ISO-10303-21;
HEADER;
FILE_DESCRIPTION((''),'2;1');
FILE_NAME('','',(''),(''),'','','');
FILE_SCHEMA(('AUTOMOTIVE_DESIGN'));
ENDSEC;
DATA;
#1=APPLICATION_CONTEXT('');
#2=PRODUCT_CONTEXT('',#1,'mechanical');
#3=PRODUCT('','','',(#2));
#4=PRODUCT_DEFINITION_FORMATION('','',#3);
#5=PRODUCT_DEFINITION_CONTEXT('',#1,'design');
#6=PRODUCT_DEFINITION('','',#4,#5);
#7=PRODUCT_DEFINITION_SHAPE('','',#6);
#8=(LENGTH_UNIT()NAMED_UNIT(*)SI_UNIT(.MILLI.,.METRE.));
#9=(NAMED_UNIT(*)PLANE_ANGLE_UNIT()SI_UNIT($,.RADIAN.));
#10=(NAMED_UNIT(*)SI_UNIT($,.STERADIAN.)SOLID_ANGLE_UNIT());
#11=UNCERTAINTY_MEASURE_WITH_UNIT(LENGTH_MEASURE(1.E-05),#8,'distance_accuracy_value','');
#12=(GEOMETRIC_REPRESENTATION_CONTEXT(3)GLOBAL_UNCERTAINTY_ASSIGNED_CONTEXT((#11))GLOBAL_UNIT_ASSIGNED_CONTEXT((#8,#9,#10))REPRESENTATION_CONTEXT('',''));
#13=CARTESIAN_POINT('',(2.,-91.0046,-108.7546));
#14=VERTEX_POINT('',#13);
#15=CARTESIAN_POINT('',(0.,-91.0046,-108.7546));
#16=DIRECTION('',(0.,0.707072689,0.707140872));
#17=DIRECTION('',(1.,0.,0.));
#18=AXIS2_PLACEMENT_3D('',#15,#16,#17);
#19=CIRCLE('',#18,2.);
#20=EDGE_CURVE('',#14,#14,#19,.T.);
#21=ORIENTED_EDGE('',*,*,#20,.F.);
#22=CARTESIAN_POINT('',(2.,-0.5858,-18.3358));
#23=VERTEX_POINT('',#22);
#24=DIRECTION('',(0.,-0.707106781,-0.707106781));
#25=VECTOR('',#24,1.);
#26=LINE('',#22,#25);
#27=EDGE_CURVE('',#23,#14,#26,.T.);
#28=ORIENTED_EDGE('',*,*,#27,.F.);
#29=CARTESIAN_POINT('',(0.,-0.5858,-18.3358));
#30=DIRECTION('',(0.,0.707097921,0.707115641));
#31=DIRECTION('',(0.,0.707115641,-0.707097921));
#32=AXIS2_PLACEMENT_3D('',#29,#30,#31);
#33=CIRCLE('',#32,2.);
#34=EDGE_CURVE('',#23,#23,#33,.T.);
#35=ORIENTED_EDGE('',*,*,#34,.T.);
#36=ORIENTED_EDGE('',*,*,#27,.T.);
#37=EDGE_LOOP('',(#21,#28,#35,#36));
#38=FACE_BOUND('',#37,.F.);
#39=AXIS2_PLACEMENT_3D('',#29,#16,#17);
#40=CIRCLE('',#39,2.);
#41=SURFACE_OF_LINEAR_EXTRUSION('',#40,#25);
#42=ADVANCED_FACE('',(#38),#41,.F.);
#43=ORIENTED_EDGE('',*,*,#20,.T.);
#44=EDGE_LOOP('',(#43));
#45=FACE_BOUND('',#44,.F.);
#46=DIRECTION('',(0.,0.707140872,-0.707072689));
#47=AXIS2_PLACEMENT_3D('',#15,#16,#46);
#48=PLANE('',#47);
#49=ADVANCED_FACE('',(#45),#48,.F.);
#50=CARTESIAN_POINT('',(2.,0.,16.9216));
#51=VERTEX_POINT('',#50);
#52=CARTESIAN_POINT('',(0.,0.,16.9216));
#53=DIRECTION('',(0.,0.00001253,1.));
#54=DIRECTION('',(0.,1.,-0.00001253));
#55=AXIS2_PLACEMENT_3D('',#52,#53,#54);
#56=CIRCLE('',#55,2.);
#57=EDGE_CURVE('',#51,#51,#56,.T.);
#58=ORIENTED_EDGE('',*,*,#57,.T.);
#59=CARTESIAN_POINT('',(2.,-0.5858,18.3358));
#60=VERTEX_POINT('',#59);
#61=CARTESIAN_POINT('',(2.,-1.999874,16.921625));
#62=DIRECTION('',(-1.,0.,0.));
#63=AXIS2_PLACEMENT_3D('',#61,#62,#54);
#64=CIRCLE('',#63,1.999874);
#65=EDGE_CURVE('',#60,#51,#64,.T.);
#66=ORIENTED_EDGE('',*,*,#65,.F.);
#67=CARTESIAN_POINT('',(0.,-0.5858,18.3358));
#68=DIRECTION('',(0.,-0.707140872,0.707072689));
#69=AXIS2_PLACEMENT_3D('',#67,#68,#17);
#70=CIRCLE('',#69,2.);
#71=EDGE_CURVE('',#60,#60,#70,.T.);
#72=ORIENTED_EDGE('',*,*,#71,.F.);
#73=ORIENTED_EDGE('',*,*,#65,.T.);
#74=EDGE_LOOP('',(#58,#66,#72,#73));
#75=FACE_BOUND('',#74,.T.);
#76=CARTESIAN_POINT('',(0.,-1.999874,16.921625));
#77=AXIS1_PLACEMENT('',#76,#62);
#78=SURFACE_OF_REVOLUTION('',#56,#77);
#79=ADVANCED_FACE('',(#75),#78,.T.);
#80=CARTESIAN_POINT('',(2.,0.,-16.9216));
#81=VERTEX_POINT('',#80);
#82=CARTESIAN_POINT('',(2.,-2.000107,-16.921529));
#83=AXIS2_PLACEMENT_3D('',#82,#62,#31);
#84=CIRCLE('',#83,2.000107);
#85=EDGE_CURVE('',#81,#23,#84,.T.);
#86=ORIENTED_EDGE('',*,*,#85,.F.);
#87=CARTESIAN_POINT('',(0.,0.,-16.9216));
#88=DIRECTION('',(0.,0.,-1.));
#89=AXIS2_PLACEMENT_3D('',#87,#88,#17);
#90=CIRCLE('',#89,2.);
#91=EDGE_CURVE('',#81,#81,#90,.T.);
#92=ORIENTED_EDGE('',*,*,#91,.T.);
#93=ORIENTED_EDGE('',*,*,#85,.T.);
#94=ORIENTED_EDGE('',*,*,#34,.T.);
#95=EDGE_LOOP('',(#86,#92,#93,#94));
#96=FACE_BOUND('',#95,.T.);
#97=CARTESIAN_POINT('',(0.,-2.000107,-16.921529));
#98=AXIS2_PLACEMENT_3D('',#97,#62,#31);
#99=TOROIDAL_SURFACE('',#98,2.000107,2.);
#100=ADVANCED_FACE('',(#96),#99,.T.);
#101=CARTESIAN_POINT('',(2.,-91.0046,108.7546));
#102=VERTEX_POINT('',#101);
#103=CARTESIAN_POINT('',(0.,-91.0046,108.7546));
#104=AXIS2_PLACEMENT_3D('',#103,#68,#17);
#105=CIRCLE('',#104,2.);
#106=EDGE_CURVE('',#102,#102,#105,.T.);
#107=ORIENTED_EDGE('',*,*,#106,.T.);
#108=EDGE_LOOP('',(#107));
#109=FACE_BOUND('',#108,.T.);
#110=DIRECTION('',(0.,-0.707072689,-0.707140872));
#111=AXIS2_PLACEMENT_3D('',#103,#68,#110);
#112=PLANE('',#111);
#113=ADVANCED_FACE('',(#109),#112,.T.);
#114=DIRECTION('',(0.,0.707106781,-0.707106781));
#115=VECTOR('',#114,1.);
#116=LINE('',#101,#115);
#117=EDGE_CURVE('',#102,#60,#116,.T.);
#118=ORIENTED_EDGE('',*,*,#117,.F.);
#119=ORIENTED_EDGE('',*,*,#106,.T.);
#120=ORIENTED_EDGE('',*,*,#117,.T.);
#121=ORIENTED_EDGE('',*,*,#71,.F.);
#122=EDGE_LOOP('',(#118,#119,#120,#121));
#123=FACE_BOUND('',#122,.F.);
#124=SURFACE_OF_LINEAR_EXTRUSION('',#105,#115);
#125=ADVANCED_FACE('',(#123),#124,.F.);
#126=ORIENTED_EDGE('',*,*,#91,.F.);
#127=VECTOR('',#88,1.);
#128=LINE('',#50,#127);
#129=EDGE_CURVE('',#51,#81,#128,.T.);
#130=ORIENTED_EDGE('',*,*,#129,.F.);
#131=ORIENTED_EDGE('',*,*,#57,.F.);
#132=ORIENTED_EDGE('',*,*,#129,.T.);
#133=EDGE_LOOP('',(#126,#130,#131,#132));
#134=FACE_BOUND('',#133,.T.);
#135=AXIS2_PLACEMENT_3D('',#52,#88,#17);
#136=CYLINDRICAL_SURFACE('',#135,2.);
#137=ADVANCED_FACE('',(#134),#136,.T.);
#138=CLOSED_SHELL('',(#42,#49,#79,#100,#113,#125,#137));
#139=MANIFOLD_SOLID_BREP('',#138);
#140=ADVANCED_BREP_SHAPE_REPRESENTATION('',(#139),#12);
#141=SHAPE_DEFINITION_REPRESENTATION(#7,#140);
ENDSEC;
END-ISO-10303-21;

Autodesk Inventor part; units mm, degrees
ref_plane "YZ Plane" through (0, 0, 0) normal (1, 0, 0) x (0, 1, 0)
ref_plane "XZ Plane" through (0, 0, 0) normal (0, 1, 0) x (-1, 0, 0)
ref_plane "XY Plane" through (0, 0, 0) normal (0, 0, 1) x (1, 0, 0)
sketch "Boceto1" plane through (0, 0, 0) normal (1, 0, 0) x (0, 1, 0)
  line L0 (-91.0046, 108.7546) -> (-0.5858, 18.3358)
  line L1 (0, 16.9216) -> (0, -16.9216)
  line L2 (-0.5858, -18.3358) -> (-91.0046, -108.7546)
  arc A0 (0, 16.9216) -> (-0.5858, 18.3358) centre (-2, 16.9216) ccw
  arc A1 (-0.5858, -18.3358) -> (0, -16.9216) centre (-2, -16.9216) ccw
  point P0 (0, 0)
  point P1 (0, 17.75)
  point P2 (0, -17.75)
  point P3 (0, 0)
  dimension "d0" = 128.7
  dimension "d1" = 128.7
  dimension "d2" = 35.5
  dimension "d3" = 2
sketch "Boceto2" plane through (0, 0, 0) normal (0, 0, 1) x (1, 0, 0)
  circle A0 centre (0, 0) radius 2
  dimension "d4" = 4
sweep "Barrido1" add profiles "Boceto2" path "Boceto1"
